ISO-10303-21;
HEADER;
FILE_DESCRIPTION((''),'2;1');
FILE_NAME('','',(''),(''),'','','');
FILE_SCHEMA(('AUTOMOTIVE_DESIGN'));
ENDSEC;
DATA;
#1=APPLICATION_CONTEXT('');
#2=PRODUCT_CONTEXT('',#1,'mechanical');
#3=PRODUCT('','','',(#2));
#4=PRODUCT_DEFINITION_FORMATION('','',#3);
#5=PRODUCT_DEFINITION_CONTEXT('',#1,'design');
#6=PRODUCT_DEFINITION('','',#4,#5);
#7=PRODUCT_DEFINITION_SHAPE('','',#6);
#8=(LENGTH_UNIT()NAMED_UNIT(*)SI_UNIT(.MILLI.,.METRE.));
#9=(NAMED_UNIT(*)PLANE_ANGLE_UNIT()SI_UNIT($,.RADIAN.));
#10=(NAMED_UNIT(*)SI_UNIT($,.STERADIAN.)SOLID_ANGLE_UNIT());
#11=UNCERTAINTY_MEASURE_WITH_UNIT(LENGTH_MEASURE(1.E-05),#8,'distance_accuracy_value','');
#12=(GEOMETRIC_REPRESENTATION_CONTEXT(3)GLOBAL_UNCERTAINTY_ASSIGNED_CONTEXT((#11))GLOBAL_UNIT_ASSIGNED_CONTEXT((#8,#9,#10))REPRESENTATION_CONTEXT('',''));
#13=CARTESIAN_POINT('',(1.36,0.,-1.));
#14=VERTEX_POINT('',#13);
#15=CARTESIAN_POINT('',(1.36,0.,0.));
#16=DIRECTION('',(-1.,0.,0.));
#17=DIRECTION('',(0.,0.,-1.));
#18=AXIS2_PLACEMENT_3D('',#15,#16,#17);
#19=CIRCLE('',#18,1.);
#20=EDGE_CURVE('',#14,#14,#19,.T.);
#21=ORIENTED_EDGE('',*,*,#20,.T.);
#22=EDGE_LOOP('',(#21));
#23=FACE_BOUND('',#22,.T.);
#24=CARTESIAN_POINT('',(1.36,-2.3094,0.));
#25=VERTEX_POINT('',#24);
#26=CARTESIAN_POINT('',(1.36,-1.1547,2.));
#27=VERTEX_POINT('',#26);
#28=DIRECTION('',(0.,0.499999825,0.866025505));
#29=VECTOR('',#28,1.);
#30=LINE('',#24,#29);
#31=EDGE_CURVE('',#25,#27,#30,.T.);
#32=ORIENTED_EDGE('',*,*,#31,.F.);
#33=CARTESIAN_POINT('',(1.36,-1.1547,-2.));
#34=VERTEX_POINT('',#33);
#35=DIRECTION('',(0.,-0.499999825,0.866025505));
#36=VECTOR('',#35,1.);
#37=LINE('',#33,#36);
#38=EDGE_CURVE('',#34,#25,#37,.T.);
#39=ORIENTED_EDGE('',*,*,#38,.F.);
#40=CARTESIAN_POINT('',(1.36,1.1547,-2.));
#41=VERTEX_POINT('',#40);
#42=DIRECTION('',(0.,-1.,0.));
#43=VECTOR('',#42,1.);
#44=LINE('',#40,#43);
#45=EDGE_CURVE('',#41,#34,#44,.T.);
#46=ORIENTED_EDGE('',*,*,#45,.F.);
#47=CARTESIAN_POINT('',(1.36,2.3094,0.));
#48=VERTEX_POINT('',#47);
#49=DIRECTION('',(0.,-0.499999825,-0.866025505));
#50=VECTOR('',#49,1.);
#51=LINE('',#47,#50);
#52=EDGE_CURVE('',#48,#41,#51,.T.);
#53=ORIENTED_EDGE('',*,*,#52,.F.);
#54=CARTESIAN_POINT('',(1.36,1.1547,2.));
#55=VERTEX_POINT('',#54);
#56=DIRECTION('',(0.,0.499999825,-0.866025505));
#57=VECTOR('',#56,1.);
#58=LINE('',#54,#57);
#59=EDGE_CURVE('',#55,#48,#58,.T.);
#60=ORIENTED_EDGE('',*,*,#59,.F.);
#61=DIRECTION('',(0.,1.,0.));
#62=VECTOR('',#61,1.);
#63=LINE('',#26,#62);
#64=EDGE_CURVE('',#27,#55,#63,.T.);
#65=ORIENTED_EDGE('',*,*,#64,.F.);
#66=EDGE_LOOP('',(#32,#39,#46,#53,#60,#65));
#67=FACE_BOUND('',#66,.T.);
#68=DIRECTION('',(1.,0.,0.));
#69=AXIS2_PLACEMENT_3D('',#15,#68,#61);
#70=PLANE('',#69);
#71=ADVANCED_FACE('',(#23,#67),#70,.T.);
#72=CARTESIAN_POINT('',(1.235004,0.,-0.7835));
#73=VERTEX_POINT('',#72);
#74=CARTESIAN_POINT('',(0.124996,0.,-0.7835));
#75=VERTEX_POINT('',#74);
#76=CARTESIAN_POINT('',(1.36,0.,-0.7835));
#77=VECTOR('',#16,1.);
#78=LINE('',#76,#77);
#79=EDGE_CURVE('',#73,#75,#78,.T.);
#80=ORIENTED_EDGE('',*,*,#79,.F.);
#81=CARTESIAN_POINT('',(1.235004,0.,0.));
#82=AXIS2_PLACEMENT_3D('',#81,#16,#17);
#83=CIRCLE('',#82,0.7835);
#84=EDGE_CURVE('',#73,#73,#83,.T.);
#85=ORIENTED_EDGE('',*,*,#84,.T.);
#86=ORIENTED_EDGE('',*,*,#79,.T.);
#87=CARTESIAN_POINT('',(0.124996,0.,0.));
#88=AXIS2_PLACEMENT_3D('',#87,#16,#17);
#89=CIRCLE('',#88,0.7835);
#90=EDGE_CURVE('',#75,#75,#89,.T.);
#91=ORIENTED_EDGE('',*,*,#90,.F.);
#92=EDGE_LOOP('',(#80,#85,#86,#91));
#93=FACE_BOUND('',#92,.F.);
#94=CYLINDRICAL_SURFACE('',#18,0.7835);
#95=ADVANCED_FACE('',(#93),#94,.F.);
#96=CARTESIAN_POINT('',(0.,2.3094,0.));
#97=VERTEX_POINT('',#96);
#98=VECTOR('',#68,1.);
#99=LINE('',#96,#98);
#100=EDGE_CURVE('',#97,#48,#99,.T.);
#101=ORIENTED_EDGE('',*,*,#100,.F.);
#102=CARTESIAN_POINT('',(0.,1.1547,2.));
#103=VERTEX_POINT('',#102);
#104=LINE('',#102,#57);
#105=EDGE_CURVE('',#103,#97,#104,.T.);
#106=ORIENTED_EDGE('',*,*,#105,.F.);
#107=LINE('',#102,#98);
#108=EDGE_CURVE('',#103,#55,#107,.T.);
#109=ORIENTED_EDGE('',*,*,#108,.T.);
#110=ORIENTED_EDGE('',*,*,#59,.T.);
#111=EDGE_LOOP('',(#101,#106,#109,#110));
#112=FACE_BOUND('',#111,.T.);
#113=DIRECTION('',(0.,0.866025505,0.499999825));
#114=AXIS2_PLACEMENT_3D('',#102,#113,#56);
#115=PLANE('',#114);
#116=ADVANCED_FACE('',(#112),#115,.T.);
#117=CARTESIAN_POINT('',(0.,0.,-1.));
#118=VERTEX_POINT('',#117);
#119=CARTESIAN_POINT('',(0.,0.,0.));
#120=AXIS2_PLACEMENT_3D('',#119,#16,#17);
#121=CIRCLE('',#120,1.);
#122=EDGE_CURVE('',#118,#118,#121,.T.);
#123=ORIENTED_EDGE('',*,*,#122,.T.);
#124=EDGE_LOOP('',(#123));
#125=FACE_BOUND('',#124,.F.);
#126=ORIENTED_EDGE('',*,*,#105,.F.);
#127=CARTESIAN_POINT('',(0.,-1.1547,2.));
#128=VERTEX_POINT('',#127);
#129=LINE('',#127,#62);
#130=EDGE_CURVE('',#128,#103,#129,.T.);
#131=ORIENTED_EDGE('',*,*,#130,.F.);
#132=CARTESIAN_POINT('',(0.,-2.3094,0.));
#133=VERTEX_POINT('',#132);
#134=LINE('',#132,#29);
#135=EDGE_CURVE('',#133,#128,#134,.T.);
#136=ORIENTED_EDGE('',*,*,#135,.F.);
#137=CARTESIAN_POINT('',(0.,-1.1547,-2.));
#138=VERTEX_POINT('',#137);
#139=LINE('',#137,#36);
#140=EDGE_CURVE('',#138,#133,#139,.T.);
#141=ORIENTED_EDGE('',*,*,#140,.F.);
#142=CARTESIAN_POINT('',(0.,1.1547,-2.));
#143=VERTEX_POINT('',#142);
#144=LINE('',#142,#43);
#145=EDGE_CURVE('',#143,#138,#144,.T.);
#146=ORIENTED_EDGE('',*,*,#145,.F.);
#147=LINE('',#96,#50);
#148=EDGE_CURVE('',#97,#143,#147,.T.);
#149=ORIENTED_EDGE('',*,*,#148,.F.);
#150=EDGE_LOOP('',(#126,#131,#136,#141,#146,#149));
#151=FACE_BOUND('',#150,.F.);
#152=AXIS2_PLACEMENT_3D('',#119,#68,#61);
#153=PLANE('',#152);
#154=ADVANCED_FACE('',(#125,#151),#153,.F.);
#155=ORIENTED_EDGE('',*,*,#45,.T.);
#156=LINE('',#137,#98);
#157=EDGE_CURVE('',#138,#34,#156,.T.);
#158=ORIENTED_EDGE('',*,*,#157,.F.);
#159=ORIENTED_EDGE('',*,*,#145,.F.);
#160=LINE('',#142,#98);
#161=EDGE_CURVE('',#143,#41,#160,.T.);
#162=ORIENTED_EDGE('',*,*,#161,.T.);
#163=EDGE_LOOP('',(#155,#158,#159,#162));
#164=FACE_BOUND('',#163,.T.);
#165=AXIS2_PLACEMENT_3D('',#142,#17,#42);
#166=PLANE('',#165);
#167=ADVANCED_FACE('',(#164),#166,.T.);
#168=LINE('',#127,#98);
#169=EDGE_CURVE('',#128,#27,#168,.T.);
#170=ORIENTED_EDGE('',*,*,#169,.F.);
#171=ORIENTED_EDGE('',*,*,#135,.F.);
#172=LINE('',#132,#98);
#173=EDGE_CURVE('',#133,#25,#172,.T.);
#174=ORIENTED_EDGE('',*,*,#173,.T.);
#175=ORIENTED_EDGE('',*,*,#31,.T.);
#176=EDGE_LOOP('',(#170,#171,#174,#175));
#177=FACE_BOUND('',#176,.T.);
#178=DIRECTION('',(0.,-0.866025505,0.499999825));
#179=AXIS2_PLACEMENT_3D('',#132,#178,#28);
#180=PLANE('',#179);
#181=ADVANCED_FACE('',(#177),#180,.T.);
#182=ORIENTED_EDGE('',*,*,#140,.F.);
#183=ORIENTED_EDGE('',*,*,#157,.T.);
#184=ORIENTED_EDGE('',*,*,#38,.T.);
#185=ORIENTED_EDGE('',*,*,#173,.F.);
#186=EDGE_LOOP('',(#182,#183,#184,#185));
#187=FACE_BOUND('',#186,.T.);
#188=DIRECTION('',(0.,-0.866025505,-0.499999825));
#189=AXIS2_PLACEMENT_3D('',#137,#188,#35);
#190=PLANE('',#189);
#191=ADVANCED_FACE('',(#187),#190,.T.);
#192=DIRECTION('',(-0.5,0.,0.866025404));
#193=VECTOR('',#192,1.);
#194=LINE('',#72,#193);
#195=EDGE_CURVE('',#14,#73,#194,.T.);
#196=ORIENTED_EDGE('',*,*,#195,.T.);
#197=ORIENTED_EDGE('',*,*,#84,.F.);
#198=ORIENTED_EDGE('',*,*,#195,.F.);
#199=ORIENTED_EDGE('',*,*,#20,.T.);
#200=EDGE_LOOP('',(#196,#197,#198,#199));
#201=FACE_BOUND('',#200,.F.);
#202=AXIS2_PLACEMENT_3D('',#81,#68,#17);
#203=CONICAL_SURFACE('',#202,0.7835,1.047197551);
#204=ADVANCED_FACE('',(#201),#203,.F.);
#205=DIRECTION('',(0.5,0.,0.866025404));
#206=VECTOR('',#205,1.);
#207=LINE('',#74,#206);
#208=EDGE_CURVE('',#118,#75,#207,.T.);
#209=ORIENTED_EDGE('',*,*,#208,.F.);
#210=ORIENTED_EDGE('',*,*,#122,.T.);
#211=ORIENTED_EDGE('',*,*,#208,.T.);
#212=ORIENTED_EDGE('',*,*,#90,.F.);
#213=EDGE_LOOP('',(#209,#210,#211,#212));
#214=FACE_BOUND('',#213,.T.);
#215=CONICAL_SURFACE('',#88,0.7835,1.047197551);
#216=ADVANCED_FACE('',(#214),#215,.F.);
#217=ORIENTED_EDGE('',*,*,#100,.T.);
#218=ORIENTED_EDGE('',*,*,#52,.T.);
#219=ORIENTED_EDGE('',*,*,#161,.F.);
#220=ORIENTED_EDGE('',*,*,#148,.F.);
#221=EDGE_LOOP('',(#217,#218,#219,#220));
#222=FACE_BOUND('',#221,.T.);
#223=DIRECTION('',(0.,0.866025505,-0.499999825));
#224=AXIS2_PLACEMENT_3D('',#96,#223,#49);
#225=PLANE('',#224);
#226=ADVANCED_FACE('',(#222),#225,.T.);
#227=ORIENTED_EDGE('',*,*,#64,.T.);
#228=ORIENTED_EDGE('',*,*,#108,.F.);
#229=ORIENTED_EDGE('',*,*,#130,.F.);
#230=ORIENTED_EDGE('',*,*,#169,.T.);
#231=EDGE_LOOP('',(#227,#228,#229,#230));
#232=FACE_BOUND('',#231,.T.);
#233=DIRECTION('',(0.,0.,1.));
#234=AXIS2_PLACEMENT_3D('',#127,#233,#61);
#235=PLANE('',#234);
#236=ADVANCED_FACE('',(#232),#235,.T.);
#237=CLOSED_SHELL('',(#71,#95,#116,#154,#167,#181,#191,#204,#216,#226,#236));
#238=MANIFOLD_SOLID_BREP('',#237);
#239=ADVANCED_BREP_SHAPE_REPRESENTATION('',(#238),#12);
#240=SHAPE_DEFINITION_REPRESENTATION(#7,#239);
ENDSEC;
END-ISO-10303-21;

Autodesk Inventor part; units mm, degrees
ref_plane "YZ Plane" through (0, 0, 0) normal (1, 0, 0) x (0, 1, 0)
ref_plane "XZ Plane" through (0, 0, 0) normal (0, 1, 0) x (-1, 0, 0)
sketch "Skizze1" plane through (0, 0, 0) normal (1, 0, 0) x (0, 1, 0)
  line L0 (1.1547, -2) -> (-1.1547, -2)
  line L1 (-1.1547, -2) -> (-2.3094, 0)
  line L2 (-2.3094, 0) -> (-1.1547, 2)
  line L3 (-1.1547, 2) -> (1.1547, 2)
  line L4 (1.1547, 2) -> (2.3094, 0)
  line L5 (2.3094, 0) -> (1.1547, -2)
  point P0 (0, 0)
  point P1 (0, 0)
  dimension "d0" = 4.6188
extrude "Körper" add sketch "Skizze1" along normal blind 1.36
sketch "Skizze2" plane through (1.36, 0, 0) normal (1, 0, 0) x (0, 0, -1)
  point P0 (0, 0)
hole "Gewinde" at (1.36, 0, 0) direction (-1, 0, 0) diameter 1.567 end through all thread size "M2x0.4" class "6H" standard "ISO Metric profile"
chamfer "Fase2" distance 0.2165 angle 30 1 edges at (1.36, 0, 0.7835) measured on face at (1.36, -1.3696, -0.815)
chamfer "Fase1" distance 0.2165 angle 30 1 edges at (0, 0, 0.7835) measured on face at (0, -1.3696, -0.815)
ref_plane "Work Plane1" through (-4.8996, 0, 0) normal (0, 0, -1) x (1, 0, 0)
equation "\"d0\" = 1.1547 * SW"
equation "\"d1\" = KOH"
equation "\"d12\" = -0.5 * GD1 + 0.5 * NND"
equation "\"d19\" = -0.5 * GD1 + 0.5 * NND"
equation "\"d10\" = -0.5 * GD1 + 0.5 * NND"
equation "\"d18\" = -0.5 * GD1 + 0.5 * NND"
equation "\"NND\" = 2"
equation "\"KOH\" = 1.36"
equation "\"SW\" = 4"
equation "\"GUL\" = 0.541266 * PTC"
equation "\"THREADDIA\" = 2"
equation "\"TOA\" = 30deg"
equation "\"PTC\" = 0.4"
equation "\"E0\" = 1.155 * SW"
equation "\"GAL\" = 0.541266 * PTC"
equation "\"GD1\" = 1.566987"
properties part number "AS 1474 - M2" material "Stahl, weich"
